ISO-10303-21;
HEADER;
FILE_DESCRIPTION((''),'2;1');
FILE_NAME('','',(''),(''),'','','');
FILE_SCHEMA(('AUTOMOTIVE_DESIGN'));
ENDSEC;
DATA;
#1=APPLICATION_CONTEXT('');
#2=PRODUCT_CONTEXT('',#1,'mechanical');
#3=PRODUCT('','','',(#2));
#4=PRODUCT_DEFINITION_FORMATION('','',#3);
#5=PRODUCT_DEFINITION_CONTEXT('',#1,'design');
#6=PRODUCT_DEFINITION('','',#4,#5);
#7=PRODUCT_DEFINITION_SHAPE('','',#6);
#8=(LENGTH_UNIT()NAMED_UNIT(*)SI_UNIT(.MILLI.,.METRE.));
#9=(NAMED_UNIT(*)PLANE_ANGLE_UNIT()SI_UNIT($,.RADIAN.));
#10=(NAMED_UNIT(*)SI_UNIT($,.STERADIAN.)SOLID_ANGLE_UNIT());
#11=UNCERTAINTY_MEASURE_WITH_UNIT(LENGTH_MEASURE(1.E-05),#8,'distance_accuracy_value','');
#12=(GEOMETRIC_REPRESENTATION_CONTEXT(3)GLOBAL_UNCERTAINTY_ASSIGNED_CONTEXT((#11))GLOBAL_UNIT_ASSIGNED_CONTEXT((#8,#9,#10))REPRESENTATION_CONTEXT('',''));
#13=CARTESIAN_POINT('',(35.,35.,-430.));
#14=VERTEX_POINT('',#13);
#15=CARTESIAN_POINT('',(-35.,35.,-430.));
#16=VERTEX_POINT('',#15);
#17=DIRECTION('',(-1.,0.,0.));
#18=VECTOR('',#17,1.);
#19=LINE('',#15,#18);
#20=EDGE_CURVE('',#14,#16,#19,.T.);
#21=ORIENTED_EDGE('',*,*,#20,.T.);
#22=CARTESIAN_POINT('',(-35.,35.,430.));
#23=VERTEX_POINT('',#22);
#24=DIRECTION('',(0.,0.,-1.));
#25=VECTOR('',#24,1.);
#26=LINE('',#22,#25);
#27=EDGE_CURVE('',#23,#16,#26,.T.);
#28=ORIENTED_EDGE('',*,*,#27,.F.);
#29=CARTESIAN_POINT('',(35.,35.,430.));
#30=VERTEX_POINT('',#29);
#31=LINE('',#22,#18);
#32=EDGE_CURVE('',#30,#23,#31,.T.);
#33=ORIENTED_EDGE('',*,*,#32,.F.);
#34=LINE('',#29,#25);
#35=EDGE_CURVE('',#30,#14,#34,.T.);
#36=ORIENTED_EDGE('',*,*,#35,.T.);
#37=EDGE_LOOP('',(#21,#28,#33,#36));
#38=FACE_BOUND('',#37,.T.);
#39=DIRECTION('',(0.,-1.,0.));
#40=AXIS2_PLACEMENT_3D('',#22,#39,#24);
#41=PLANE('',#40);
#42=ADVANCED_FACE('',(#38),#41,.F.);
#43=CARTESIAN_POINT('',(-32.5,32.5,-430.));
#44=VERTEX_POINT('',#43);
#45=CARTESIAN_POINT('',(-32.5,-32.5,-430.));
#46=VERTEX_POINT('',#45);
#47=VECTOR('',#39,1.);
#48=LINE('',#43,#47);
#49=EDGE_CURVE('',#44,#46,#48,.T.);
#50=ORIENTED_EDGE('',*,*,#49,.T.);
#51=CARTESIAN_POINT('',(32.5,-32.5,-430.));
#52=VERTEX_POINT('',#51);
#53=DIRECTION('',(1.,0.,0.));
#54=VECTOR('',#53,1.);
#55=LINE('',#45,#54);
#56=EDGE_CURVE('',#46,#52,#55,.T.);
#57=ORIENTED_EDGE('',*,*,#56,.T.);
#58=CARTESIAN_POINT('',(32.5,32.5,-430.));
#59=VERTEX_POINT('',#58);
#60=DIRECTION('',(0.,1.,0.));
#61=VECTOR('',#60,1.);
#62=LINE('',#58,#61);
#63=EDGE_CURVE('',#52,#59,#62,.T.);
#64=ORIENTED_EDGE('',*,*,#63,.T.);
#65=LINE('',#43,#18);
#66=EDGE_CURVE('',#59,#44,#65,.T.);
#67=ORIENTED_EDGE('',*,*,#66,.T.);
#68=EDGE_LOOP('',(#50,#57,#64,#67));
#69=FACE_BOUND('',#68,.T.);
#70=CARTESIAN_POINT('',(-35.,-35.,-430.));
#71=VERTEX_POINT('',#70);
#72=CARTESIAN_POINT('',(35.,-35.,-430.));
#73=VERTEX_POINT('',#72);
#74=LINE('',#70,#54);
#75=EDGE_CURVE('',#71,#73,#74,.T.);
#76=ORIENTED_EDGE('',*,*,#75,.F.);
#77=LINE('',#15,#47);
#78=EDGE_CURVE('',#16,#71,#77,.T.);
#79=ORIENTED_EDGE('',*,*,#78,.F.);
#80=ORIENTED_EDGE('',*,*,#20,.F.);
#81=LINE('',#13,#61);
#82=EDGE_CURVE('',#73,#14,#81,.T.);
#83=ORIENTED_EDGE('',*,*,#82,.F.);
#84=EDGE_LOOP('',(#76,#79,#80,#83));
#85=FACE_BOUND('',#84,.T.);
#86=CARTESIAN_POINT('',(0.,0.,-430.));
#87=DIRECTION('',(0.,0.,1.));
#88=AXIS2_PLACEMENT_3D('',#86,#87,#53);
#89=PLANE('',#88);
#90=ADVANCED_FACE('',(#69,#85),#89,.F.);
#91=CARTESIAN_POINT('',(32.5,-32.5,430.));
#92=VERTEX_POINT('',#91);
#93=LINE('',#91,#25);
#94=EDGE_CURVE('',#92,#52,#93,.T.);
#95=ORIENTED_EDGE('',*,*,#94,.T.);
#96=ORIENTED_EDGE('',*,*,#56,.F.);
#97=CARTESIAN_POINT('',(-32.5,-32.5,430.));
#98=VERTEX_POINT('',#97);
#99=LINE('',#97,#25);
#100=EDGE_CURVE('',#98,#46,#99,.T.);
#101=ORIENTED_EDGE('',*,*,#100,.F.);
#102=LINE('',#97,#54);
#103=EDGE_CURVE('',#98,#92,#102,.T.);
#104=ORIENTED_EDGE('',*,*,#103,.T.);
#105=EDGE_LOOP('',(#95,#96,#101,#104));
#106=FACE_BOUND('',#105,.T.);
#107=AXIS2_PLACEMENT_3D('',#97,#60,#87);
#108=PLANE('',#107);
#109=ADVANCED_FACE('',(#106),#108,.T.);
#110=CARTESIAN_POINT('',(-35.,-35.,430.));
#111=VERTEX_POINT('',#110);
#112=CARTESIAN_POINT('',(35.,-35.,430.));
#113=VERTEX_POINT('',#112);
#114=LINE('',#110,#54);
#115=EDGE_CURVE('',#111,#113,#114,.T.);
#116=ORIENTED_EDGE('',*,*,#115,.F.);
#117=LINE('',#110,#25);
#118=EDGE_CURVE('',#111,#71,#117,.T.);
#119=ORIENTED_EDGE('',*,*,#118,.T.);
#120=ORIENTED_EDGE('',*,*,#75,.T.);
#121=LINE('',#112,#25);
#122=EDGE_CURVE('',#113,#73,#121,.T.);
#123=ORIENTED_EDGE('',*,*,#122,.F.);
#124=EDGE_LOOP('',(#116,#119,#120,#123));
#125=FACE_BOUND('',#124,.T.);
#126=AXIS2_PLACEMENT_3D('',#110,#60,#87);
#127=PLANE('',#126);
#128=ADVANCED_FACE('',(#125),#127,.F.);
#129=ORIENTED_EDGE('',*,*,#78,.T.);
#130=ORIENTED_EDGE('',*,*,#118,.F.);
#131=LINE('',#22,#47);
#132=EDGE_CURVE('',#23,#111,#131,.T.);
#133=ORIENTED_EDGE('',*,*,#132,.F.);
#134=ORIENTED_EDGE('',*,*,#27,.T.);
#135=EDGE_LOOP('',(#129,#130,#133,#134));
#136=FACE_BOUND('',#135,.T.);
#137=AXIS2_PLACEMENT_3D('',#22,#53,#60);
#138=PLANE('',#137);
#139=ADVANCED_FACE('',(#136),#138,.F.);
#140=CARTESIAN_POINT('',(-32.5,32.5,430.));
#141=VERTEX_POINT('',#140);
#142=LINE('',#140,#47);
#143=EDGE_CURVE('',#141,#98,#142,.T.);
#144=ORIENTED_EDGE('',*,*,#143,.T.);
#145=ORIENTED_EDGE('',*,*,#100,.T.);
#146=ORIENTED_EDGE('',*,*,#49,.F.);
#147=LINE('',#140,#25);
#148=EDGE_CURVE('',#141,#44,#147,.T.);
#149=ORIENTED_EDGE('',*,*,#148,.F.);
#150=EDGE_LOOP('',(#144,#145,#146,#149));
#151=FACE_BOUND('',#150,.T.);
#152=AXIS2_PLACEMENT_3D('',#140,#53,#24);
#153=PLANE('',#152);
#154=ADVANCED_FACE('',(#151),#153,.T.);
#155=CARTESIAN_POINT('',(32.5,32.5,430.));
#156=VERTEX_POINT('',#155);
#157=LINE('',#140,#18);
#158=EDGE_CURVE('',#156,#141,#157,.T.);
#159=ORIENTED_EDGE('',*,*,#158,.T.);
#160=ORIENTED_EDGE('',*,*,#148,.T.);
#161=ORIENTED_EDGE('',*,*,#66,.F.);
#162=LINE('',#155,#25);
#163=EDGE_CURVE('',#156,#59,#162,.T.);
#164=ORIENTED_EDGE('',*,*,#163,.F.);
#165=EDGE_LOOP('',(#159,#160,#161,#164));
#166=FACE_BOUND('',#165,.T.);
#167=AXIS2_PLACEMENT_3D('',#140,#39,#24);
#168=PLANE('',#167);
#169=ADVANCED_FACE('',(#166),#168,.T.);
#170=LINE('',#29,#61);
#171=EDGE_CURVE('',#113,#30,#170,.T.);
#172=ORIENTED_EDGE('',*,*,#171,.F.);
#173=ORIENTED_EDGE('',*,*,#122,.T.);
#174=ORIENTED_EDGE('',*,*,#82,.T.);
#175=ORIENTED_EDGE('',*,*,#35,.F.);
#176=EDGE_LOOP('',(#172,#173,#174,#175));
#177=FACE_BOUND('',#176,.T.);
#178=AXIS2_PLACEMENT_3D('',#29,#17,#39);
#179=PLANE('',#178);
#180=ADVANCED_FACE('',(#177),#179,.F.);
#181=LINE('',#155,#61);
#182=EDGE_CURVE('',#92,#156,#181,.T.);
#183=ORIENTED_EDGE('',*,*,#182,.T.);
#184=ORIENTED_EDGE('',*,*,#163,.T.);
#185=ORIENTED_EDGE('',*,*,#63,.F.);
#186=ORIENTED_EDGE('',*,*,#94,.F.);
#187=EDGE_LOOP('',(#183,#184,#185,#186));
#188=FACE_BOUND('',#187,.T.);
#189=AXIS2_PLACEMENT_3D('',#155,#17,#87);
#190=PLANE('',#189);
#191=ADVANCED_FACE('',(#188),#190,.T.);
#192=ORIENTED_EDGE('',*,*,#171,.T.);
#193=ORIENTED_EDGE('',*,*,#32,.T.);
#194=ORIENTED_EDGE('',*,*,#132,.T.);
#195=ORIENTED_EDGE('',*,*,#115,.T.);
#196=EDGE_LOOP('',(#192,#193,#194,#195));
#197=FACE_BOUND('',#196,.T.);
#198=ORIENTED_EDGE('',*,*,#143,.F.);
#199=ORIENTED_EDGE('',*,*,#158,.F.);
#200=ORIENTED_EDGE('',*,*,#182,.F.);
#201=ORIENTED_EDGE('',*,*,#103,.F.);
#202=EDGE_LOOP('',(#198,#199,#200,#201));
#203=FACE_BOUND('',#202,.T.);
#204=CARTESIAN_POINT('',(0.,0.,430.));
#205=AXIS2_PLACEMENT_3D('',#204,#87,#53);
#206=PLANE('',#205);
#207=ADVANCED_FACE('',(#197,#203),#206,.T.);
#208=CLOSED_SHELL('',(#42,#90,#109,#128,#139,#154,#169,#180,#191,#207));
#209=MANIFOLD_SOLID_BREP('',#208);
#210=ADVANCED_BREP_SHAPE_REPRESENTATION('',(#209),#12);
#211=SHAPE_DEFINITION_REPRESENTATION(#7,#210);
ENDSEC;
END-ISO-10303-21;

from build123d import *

# Parameters (mm, degrees)
CROQUIS1_W              = 70
CROQUIS1_H              = 70
CROQUIS1_W_2            = 65
CROQUIS1_H_2            = 65
SALIENTE_EXTRUIR1_DEPTH = 430


with BuildPart() as part:
    # Croquis1 → Saliente-Extruir1 (new, symmetric)
    with BuildSketch(Plane.XY):
        Rectangle(CROQUIS1_W, CROQUIS1_H)
        Rectangle(CROQUIS1_W_2, CROQUIS1_H_2, mode=Mode.SUBTRACT)
    extrude(amount=SALIENTE_EXTRUIR1_DEPTH, both=True)


solid = part.part
